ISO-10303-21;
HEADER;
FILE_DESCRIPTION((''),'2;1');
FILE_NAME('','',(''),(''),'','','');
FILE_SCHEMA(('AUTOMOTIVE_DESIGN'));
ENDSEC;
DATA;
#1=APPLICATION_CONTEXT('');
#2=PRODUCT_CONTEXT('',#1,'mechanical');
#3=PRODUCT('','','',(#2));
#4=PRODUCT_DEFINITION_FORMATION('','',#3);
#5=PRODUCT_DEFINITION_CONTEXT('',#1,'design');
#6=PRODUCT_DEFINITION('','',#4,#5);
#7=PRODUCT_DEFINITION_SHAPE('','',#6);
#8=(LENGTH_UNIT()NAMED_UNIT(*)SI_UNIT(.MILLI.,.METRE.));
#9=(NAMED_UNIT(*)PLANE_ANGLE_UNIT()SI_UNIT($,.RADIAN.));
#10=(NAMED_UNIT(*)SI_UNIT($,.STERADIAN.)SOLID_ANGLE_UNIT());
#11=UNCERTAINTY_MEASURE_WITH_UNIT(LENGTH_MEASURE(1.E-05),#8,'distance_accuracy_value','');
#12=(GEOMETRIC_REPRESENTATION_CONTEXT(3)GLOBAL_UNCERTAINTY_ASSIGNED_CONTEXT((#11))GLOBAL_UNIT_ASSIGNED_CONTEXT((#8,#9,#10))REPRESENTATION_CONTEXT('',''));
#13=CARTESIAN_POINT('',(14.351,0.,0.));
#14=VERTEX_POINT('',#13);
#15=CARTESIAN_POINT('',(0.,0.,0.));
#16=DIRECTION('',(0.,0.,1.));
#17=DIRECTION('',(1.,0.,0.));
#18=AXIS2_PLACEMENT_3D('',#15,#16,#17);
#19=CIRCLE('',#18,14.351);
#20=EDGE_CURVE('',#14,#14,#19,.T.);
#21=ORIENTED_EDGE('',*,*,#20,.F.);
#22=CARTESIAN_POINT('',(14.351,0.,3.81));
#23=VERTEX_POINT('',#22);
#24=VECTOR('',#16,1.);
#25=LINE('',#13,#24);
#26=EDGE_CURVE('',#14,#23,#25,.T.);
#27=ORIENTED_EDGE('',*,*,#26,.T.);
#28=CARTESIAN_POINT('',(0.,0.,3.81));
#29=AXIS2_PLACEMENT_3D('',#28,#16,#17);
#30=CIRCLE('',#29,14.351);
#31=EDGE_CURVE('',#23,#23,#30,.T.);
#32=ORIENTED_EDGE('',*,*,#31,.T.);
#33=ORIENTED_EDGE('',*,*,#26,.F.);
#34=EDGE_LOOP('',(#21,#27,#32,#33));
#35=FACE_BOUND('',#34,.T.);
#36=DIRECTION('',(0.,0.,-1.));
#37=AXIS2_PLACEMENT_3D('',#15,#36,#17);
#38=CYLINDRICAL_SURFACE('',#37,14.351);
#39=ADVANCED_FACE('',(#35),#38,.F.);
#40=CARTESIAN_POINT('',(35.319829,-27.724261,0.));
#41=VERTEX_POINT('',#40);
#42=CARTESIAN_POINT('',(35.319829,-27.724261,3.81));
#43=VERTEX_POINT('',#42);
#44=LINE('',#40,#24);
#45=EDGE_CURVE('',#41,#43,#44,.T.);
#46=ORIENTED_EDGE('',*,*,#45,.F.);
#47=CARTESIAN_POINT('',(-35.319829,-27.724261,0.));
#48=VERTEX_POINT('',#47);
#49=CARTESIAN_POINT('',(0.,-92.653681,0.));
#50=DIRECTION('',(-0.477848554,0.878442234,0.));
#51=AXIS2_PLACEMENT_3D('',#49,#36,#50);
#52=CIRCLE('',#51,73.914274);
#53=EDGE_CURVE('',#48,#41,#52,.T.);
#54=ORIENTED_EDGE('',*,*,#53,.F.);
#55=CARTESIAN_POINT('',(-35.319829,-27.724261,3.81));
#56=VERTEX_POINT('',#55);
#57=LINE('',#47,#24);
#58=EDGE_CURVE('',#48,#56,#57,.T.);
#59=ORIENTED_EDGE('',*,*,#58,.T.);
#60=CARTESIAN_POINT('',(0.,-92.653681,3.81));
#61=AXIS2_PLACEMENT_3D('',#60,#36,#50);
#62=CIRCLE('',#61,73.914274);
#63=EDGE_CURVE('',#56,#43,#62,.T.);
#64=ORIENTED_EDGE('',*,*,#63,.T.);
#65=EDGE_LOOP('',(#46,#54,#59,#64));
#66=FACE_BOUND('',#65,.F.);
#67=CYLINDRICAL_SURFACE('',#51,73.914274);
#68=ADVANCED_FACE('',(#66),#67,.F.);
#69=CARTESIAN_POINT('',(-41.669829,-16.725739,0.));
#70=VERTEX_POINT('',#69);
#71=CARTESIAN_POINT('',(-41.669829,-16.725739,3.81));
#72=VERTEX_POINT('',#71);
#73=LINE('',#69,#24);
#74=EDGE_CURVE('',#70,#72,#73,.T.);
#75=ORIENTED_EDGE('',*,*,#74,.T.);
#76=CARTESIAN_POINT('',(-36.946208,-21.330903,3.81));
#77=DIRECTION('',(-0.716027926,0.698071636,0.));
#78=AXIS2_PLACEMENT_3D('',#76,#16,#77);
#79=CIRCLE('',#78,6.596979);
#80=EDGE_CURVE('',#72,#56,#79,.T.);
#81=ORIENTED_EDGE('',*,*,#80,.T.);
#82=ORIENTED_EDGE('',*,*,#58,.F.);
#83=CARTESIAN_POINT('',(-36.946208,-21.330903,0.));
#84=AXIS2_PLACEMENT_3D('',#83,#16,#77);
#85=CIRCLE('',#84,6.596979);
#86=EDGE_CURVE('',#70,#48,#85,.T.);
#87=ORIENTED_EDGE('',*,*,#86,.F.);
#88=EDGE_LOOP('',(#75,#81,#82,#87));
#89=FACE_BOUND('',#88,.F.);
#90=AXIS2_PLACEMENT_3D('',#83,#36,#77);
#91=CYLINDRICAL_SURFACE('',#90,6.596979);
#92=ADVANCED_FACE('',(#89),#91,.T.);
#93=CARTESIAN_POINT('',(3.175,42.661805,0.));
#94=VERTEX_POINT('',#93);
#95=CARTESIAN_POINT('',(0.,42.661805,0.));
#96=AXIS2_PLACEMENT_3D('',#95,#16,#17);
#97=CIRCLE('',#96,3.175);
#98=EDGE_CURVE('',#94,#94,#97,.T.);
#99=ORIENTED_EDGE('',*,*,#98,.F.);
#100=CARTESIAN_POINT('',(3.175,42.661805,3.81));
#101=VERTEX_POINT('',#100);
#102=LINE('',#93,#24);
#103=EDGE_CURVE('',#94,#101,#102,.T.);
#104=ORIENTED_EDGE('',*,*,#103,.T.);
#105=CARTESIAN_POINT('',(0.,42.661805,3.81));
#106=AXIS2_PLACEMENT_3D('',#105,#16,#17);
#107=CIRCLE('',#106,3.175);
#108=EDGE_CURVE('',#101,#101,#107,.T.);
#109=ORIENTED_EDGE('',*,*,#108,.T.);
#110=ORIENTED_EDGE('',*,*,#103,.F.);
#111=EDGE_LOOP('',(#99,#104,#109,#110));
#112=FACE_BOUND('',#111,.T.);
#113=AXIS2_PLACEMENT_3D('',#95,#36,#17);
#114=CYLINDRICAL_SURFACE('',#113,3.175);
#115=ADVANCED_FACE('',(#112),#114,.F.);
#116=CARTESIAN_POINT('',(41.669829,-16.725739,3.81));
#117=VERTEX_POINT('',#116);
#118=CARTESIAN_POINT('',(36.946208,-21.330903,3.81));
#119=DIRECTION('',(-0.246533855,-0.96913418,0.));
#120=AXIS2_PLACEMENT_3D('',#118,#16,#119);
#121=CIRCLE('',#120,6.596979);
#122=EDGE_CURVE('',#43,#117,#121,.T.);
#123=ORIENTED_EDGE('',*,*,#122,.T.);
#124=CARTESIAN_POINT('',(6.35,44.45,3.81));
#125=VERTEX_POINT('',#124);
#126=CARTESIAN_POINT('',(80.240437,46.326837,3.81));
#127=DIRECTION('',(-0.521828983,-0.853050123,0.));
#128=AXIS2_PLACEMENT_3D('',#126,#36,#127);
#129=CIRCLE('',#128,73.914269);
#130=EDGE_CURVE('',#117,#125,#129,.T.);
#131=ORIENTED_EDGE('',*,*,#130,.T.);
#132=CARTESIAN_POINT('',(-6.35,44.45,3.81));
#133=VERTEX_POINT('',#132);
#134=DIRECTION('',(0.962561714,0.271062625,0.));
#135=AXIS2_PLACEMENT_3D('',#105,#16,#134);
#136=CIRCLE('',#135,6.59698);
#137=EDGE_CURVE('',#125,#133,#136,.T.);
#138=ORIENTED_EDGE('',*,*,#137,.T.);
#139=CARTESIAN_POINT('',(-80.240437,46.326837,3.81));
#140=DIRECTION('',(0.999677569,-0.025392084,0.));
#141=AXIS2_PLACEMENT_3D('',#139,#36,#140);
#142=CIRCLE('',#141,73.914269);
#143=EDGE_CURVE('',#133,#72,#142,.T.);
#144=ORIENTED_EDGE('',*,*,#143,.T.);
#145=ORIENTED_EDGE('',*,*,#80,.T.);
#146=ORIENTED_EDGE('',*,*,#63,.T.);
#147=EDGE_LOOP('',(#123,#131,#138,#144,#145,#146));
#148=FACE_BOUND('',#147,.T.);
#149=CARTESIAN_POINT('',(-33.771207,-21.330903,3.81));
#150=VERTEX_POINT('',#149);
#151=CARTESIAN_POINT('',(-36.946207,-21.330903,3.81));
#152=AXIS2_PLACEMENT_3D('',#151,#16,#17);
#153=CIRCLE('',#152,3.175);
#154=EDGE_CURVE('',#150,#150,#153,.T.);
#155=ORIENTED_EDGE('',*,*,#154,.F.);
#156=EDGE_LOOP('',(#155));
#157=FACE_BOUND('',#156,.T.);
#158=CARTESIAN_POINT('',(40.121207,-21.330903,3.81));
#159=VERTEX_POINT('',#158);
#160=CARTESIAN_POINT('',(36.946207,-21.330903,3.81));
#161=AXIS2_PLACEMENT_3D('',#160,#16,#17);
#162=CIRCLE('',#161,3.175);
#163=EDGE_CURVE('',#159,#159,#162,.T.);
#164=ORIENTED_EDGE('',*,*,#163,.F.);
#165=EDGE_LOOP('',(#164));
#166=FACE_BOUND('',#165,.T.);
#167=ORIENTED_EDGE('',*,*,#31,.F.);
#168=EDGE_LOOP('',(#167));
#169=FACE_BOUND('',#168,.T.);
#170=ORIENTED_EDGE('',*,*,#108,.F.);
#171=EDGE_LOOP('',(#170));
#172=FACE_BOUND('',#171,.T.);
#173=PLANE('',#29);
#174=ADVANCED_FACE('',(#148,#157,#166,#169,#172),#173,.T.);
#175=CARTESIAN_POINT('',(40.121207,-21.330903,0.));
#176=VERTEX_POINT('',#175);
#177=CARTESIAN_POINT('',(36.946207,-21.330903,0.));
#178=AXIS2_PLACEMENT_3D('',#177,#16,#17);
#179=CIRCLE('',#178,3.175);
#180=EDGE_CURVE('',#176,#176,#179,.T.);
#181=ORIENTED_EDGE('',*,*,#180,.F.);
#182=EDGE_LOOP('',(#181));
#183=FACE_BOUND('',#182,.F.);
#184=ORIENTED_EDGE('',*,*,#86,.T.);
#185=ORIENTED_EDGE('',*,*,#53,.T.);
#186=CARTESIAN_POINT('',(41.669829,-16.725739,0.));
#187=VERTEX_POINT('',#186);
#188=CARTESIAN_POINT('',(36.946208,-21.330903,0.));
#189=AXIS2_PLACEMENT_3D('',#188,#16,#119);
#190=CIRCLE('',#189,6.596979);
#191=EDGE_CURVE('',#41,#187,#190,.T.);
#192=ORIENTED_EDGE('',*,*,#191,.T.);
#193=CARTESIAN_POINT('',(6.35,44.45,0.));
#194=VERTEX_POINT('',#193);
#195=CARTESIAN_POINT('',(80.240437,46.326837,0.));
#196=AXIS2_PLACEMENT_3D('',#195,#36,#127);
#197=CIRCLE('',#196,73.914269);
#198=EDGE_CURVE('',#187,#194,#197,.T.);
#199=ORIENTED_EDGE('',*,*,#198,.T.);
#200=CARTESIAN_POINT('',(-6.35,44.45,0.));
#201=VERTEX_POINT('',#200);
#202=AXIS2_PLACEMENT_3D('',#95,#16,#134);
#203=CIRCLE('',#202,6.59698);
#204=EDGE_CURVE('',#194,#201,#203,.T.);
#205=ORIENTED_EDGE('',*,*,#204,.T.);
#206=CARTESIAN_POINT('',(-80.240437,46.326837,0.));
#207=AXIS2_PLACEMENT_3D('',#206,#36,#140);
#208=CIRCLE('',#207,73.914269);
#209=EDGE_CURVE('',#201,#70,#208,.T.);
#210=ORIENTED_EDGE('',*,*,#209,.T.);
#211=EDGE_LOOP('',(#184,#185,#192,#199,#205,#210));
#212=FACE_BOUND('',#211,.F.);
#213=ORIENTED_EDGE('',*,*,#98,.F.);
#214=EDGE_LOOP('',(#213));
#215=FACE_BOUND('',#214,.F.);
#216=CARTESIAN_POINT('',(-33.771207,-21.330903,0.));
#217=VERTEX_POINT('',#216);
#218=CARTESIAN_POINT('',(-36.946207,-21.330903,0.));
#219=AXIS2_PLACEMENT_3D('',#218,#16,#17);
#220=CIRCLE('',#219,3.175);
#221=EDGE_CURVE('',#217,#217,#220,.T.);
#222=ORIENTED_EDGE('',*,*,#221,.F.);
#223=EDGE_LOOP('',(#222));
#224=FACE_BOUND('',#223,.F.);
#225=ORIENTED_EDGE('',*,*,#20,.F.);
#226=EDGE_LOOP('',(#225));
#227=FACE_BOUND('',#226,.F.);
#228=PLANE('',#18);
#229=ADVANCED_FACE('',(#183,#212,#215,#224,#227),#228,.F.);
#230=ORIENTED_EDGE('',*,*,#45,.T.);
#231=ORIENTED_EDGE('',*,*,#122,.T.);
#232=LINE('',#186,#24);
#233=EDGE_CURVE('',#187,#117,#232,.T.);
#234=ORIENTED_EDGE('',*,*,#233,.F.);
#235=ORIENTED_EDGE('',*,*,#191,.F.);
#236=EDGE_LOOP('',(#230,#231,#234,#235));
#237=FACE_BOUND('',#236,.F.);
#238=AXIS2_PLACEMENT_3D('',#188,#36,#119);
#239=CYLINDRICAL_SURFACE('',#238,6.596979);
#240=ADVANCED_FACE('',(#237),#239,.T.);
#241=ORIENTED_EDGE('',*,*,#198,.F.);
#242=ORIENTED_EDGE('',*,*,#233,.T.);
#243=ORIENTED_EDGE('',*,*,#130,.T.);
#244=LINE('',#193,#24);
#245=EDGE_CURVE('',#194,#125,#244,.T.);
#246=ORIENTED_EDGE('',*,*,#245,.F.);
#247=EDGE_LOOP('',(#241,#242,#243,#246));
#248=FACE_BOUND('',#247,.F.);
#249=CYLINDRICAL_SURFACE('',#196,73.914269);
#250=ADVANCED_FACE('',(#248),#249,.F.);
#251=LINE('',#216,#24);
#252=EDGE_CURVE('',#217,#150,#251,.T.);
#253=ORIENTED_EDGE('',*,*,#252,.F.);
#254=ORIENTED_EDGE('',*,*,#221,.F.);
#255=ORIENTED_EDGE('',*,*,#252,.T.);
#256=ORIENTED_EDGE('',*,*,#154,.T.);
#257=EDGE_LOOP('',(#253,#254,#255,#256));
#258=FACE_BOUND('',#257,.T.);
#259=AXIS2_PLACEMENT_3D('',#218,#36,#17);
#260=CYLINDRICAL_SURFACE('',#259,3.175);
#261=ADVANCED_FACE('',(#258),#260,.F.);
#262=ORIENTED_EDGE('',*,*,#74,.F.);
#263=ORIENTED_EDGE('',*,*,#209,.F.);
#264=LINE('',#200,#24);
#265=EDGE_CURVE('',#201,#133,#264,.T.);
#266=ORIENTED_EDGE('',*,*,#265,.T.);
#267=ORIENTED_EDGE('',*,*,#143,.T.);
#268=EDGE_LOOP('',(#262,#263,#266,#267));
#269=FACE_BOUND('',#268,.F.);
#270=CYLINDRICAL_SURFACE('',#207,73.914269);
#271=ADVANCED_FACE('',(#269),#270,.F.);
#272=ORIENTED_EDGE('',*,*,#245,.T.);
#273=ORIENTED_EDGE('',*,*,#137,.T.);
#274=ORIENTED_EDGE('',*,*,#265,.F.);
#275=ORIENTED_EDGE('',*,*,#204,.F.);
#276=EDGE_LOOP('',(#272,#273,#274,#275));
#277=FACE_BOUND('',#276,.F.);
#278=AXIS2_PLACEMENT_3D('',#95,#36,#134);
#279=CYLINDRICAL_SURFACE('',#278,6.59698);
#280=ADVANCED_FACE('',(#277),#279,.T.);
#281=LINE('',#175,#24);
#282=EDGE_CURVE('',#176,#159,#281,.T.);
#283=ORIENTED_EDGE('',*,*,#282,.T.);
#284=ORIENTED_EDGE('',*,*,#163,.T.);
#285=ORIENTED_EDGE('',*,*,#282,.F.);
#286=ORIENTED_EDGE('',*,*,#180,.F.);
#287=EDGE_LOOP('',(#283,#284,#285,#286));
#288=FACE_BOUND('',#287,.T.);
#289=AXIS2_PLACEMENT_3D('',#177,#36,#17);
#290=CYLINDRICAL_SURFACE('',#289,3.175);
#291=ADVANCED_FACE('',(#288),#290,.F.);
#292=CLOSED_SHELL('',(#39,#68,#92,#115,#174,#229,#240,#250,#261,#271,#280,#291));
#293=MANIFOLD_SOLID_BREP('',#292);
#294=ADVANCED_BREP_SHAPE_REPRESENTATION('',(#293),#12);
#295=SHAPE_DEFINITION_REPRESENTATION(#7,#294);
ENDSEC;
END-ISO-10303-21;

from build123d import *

# Parameters (mm, degrees)
F0_R     = 3.175
F0_R_2   = 14.351
F1_DEPTH = 3.81


with BuildPart() as f1:
    # F0 (on Top) → F1 (new body)
    with BuildSketch(Plane.XY):
        with BuildLine():
            ThreePointArc((41.669829, -16.725739), (16.228802, 9.369703), (6.35, 44.45))
            ThreePointArc((6.35, 44.45), (0, 49.258785), (-6.35, 44.45))
            ThreePointArc((-6.35, 44.45), (-16.228802, 9.369703), (-41.669829, -16.725739))
            ThreePointArc((-41.669829, -16.725739), (-42.659359, -24.629393), (-35.319829, -27.724261))
            ThreePointArc((-35.319829, -27.724261), (0, -18.739407), (35.319829, -27.724261))
            ThreePointArc((35.319829, -27.724261), (42.659359, -24.629393), (41.669829, -16.725739))
        make_face()
        with Locations((-36.946207, -21.330903)):
            Circle(F0_R, mode=Mode.SUBTRACT)
        Circle(F0_R_2, mode=Mode.SUBTRACT)
        with Locations((36.946207, -21.330903)):
            Circle(F0_R, mode=Mode.SUBTRACT)
        with Locations((0, 42.661805)):
            Circle(F0_R, mode=Mode.SUBTRACT)
    extrude(amount=F1_DEPTH)


solid = f1.part
